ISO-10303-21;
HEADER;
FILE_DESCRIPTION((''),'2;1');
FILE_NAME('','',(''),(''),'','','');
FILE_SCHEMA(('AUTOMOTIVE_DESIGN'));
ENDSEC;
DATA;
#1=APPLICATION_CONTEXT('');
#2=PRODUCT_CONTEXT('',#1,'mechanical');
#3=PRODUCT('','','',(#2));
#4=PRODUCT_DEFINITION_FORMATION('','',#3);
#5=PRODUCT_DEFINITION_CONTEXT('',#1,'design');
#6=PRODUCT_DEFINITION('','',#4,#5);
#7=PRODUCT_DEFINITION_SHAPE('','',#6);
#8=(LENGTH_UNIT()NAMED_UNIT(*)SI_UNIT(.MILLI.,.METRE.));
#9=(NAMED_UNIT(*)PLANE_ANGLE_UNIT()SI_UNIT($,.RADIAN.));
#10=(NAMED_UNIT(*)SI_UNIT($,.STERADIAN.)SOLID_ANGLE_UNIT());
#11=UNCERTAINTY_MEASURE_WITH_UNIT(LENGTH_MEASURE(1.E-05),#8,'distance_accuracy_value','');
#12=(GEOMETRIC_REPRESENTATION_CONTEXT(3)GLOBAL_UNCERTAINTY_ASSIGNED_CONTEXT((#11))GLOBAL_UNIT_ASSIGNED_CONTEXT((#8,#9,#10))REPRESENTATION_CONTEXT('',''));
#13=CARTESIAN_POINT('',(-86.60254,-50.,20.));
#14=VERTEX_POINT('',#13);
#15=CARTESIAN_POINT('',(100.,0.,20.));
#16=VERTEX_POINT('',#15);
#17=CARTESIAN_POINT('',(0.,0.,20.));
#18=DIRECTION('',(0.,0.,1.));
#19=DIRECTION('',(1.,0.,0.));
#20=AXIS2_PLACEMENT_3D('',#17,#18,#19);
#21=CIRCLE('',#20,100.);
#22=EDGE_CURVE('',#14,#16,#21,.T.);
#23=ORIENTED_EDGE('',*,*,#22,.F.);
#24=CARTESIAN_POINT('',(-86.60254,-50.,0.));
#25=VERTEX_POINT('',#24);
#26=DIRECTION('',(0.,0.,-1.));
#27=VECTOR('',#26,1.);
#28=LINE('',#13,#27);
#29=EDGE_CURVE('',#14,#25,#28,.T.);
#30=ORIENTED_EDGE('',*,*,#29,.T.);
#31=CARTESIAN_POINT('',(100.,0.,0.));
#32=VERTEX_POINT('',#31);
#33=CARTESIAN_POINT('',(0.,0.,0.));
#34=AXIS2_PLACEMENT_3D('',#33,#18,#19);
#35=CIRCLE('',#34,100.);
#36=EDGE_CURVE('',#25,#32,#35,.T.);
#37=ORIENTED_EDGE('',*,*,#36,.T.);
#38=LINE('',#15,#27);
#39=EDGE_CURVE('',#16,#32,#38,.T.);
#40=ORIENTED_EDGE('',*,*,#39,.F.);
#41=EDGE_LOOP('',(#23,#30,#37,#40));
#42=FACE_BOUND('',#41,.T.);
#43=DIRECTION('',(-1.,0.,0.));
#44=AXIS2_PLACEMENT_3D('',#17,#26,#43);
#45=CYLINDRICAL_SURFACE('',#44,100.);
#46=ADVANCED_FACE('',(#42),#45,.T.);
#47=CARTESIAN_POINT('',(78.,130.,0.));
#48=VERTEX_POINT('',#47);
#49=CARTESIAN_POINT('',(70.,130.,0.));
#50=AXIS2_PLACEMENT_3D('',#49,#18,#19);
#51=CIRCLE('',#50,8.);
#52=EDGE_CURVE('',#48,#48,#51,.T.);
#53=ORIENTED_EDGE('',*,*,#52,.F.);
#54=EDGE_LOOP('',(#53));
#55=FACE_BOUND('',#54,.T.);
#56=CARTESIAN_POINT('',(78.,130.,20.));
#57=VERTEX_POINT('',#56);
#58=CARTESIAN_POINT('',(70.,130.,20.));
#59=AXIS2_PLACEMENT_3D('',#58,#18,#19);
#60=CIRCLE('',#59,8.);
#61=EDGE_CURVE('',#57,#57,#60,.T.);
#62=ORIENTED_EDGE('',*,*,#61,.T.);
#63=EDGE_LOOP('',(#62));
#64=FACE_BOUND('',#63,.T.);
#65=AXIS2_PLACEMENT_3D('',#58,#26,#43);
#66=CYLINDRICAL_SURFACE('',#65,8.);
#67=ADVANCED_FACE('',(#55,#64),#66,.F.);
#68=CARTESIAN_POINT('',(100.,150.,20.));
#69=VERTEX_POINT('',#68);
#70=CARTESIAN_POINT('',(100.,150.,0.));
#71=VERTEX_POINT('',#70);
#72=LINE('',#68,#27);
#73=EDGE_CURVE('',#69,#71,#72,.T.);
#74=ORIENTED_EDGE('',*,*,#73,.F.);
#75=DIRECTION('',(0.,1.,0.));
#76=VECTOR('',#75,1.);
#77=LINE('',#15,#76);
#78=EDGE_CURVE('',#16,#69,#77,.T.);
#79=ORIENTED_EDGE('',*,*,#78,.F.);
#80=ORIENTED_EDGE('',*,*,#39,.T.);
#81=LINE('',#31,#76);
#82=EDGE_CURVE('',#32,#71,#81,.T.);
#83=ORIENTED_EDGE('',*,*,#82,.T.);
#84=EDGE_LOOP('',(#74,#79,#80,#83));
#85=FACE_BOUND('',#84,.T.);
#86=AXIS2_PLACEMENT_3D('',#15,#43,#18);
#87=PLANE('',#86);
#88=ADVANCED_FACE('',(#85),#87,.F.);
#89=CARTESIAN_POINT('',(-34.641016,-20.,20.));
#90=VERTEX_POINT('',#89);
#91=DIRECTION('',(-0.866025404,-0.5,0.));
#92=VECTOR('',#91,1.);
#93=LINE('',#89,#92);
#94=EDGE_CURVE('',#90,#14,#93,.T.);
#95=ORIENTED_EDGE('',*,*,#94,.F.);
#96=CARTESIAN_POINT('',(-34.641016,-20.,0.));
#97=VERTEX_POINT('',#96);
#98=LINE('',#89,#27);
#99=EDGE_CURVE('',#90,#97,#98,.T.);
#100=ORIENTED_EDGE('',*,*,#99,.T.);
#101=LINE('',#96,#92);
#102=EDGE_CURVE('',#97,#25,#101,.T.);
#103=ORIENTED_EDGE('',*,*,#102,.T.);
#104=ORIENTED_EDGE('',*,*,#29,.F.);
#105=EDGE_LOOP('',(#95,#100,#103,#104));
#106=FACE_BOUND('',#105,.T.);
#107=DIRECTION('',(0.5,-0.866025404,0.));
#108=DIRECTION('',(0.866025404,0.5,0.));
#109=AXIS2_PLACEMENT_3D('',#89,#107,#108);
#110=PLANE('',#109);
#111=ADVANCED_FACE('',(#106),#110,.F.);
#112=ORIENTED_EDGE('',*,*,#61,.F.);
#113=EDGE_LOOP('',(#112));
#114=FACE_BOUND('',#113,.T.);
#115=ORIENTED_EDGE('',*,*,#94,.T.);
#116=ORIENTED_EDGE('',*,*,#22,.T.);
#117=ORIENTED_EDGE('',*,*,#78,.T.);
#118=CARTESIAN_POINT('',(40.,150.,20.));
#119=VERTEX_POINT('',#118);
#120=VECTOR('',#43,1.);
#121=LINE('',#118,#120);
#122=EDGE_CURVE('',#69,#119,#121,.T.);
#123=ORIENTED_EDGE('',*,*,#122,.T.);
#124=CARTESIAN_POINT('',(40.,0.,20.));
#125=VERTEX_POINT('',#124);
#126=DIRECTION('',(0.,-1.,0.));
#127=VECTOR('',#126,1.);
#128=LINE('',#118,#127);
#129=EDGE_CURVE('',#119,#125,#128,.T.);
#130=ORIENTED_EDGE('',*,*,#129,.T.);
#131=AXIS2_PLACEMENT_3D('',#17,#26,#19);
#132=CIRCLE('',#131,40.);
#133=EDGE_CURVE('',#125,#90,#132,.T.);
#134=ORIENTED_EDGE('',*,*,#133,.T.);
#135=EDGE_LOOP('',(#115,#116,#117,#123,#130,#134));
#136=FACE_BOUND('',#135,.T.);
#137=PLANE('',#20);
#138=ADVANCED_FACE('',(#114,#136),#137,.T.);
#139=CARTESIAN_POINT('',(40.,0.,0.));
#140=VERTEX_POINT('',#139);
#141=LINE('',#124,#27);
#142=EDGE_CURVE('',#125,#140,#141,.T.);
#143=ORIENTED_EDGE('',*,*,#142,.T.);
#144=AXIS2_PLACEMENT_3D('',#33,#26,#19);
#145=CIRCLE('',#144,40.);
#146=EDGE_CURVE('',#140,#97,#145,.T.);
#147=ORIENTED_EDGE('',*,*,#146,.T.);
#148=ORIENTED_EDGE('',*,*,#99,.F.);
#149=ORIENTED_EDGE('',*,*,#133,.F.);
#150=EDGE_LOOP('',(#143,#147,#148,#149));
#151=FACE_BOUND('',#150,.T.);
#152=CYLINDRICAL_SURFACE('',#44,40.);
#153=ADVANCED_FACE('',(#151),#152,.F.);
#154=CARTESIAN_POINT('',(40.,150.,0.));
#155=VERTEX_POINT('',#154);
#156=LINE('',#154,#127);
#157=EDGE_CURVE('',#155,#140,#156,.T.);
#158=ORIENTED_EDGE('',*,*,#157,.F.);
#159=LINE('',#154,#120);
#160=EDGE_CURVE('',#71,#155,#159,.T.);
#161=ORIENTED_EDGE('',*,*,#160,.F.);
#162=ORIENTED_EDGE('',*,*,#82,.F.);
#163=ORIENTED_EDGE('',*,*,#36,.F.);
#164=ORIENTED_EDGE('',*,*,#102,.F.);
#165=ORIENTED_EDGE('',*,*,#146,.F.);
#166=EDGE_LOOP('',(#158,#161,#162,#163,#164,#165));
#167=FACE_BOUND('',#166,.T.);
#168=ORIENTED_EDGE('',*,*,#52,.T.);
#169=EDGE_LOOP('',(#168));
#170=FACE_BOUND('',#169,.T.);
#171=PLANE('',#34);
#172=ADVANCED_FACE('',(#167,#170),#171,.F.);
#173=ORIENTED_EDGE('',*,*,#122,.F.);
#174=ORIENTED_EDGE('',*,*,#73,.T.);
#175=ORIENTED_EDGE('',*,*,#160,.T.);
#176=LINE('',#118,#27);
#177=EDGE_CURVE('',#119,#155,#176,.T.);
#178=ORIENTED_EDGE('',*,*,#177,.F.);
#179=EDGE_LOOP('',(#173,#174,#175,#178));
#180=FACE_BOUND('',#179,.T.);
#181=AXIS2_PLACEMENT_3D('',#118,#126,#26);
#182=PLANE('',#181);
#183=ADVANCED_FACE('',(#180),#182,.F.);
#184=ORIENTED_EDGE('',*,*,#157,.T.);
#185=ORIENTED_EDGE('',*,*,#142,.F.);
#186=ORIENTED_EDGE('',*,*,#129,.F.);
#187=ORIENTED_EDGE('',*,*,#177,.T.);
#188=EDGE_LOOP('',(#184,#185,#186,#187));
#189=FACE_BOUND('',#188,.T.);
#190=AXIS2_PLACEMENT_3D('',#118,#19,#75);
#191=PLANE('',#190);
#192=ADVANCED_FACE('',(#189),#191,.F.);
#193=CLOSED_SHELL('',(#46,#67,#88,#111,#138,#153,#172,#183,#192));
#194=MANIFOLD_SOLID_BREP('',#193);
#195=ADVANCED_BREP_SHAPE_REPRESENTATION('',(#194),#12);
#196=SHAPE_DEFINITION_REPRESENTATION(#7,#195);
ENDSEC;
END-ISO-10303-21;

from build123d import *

# Parameters (mm, degrees)
EXTRUDE1_DEPTH = 20
SKETCH2_R      = 8
EXTRUDE3_DEPTH = 21


with BuildPart() as part:
    # Sketch1 → Extrude1 (new body)
    with BuildSketch(Plane.XY):
        with BuildLine():
            Line((-34.641016151, -20), (-86.602540378, -50))
            ThreePointArc((-86.602540378, -50), (25.88190451, -96.592582629), (100, 0))
            Line((100, 0), (100, 150))
            Line((100, 150), (40, 150))
            Line((40, 150), (40, 0))
            ThreePointArc((40, 0), (10.352761804, -38.637033052), (-34.641016151, -20))
        make_face()
    extrude(amount=EXTRUDE1_DEPTH)

    # Sketch2 → Extrude3 (cut, through all)
    with BuildSketch(Plane.XY):
        with Locations((70, 130)):
            Circle(SKETCH2_R)
    extrude(amount=EXTRUDE3_DEPTH, mode=Mode.SUBTRACT)


solid = part.part
